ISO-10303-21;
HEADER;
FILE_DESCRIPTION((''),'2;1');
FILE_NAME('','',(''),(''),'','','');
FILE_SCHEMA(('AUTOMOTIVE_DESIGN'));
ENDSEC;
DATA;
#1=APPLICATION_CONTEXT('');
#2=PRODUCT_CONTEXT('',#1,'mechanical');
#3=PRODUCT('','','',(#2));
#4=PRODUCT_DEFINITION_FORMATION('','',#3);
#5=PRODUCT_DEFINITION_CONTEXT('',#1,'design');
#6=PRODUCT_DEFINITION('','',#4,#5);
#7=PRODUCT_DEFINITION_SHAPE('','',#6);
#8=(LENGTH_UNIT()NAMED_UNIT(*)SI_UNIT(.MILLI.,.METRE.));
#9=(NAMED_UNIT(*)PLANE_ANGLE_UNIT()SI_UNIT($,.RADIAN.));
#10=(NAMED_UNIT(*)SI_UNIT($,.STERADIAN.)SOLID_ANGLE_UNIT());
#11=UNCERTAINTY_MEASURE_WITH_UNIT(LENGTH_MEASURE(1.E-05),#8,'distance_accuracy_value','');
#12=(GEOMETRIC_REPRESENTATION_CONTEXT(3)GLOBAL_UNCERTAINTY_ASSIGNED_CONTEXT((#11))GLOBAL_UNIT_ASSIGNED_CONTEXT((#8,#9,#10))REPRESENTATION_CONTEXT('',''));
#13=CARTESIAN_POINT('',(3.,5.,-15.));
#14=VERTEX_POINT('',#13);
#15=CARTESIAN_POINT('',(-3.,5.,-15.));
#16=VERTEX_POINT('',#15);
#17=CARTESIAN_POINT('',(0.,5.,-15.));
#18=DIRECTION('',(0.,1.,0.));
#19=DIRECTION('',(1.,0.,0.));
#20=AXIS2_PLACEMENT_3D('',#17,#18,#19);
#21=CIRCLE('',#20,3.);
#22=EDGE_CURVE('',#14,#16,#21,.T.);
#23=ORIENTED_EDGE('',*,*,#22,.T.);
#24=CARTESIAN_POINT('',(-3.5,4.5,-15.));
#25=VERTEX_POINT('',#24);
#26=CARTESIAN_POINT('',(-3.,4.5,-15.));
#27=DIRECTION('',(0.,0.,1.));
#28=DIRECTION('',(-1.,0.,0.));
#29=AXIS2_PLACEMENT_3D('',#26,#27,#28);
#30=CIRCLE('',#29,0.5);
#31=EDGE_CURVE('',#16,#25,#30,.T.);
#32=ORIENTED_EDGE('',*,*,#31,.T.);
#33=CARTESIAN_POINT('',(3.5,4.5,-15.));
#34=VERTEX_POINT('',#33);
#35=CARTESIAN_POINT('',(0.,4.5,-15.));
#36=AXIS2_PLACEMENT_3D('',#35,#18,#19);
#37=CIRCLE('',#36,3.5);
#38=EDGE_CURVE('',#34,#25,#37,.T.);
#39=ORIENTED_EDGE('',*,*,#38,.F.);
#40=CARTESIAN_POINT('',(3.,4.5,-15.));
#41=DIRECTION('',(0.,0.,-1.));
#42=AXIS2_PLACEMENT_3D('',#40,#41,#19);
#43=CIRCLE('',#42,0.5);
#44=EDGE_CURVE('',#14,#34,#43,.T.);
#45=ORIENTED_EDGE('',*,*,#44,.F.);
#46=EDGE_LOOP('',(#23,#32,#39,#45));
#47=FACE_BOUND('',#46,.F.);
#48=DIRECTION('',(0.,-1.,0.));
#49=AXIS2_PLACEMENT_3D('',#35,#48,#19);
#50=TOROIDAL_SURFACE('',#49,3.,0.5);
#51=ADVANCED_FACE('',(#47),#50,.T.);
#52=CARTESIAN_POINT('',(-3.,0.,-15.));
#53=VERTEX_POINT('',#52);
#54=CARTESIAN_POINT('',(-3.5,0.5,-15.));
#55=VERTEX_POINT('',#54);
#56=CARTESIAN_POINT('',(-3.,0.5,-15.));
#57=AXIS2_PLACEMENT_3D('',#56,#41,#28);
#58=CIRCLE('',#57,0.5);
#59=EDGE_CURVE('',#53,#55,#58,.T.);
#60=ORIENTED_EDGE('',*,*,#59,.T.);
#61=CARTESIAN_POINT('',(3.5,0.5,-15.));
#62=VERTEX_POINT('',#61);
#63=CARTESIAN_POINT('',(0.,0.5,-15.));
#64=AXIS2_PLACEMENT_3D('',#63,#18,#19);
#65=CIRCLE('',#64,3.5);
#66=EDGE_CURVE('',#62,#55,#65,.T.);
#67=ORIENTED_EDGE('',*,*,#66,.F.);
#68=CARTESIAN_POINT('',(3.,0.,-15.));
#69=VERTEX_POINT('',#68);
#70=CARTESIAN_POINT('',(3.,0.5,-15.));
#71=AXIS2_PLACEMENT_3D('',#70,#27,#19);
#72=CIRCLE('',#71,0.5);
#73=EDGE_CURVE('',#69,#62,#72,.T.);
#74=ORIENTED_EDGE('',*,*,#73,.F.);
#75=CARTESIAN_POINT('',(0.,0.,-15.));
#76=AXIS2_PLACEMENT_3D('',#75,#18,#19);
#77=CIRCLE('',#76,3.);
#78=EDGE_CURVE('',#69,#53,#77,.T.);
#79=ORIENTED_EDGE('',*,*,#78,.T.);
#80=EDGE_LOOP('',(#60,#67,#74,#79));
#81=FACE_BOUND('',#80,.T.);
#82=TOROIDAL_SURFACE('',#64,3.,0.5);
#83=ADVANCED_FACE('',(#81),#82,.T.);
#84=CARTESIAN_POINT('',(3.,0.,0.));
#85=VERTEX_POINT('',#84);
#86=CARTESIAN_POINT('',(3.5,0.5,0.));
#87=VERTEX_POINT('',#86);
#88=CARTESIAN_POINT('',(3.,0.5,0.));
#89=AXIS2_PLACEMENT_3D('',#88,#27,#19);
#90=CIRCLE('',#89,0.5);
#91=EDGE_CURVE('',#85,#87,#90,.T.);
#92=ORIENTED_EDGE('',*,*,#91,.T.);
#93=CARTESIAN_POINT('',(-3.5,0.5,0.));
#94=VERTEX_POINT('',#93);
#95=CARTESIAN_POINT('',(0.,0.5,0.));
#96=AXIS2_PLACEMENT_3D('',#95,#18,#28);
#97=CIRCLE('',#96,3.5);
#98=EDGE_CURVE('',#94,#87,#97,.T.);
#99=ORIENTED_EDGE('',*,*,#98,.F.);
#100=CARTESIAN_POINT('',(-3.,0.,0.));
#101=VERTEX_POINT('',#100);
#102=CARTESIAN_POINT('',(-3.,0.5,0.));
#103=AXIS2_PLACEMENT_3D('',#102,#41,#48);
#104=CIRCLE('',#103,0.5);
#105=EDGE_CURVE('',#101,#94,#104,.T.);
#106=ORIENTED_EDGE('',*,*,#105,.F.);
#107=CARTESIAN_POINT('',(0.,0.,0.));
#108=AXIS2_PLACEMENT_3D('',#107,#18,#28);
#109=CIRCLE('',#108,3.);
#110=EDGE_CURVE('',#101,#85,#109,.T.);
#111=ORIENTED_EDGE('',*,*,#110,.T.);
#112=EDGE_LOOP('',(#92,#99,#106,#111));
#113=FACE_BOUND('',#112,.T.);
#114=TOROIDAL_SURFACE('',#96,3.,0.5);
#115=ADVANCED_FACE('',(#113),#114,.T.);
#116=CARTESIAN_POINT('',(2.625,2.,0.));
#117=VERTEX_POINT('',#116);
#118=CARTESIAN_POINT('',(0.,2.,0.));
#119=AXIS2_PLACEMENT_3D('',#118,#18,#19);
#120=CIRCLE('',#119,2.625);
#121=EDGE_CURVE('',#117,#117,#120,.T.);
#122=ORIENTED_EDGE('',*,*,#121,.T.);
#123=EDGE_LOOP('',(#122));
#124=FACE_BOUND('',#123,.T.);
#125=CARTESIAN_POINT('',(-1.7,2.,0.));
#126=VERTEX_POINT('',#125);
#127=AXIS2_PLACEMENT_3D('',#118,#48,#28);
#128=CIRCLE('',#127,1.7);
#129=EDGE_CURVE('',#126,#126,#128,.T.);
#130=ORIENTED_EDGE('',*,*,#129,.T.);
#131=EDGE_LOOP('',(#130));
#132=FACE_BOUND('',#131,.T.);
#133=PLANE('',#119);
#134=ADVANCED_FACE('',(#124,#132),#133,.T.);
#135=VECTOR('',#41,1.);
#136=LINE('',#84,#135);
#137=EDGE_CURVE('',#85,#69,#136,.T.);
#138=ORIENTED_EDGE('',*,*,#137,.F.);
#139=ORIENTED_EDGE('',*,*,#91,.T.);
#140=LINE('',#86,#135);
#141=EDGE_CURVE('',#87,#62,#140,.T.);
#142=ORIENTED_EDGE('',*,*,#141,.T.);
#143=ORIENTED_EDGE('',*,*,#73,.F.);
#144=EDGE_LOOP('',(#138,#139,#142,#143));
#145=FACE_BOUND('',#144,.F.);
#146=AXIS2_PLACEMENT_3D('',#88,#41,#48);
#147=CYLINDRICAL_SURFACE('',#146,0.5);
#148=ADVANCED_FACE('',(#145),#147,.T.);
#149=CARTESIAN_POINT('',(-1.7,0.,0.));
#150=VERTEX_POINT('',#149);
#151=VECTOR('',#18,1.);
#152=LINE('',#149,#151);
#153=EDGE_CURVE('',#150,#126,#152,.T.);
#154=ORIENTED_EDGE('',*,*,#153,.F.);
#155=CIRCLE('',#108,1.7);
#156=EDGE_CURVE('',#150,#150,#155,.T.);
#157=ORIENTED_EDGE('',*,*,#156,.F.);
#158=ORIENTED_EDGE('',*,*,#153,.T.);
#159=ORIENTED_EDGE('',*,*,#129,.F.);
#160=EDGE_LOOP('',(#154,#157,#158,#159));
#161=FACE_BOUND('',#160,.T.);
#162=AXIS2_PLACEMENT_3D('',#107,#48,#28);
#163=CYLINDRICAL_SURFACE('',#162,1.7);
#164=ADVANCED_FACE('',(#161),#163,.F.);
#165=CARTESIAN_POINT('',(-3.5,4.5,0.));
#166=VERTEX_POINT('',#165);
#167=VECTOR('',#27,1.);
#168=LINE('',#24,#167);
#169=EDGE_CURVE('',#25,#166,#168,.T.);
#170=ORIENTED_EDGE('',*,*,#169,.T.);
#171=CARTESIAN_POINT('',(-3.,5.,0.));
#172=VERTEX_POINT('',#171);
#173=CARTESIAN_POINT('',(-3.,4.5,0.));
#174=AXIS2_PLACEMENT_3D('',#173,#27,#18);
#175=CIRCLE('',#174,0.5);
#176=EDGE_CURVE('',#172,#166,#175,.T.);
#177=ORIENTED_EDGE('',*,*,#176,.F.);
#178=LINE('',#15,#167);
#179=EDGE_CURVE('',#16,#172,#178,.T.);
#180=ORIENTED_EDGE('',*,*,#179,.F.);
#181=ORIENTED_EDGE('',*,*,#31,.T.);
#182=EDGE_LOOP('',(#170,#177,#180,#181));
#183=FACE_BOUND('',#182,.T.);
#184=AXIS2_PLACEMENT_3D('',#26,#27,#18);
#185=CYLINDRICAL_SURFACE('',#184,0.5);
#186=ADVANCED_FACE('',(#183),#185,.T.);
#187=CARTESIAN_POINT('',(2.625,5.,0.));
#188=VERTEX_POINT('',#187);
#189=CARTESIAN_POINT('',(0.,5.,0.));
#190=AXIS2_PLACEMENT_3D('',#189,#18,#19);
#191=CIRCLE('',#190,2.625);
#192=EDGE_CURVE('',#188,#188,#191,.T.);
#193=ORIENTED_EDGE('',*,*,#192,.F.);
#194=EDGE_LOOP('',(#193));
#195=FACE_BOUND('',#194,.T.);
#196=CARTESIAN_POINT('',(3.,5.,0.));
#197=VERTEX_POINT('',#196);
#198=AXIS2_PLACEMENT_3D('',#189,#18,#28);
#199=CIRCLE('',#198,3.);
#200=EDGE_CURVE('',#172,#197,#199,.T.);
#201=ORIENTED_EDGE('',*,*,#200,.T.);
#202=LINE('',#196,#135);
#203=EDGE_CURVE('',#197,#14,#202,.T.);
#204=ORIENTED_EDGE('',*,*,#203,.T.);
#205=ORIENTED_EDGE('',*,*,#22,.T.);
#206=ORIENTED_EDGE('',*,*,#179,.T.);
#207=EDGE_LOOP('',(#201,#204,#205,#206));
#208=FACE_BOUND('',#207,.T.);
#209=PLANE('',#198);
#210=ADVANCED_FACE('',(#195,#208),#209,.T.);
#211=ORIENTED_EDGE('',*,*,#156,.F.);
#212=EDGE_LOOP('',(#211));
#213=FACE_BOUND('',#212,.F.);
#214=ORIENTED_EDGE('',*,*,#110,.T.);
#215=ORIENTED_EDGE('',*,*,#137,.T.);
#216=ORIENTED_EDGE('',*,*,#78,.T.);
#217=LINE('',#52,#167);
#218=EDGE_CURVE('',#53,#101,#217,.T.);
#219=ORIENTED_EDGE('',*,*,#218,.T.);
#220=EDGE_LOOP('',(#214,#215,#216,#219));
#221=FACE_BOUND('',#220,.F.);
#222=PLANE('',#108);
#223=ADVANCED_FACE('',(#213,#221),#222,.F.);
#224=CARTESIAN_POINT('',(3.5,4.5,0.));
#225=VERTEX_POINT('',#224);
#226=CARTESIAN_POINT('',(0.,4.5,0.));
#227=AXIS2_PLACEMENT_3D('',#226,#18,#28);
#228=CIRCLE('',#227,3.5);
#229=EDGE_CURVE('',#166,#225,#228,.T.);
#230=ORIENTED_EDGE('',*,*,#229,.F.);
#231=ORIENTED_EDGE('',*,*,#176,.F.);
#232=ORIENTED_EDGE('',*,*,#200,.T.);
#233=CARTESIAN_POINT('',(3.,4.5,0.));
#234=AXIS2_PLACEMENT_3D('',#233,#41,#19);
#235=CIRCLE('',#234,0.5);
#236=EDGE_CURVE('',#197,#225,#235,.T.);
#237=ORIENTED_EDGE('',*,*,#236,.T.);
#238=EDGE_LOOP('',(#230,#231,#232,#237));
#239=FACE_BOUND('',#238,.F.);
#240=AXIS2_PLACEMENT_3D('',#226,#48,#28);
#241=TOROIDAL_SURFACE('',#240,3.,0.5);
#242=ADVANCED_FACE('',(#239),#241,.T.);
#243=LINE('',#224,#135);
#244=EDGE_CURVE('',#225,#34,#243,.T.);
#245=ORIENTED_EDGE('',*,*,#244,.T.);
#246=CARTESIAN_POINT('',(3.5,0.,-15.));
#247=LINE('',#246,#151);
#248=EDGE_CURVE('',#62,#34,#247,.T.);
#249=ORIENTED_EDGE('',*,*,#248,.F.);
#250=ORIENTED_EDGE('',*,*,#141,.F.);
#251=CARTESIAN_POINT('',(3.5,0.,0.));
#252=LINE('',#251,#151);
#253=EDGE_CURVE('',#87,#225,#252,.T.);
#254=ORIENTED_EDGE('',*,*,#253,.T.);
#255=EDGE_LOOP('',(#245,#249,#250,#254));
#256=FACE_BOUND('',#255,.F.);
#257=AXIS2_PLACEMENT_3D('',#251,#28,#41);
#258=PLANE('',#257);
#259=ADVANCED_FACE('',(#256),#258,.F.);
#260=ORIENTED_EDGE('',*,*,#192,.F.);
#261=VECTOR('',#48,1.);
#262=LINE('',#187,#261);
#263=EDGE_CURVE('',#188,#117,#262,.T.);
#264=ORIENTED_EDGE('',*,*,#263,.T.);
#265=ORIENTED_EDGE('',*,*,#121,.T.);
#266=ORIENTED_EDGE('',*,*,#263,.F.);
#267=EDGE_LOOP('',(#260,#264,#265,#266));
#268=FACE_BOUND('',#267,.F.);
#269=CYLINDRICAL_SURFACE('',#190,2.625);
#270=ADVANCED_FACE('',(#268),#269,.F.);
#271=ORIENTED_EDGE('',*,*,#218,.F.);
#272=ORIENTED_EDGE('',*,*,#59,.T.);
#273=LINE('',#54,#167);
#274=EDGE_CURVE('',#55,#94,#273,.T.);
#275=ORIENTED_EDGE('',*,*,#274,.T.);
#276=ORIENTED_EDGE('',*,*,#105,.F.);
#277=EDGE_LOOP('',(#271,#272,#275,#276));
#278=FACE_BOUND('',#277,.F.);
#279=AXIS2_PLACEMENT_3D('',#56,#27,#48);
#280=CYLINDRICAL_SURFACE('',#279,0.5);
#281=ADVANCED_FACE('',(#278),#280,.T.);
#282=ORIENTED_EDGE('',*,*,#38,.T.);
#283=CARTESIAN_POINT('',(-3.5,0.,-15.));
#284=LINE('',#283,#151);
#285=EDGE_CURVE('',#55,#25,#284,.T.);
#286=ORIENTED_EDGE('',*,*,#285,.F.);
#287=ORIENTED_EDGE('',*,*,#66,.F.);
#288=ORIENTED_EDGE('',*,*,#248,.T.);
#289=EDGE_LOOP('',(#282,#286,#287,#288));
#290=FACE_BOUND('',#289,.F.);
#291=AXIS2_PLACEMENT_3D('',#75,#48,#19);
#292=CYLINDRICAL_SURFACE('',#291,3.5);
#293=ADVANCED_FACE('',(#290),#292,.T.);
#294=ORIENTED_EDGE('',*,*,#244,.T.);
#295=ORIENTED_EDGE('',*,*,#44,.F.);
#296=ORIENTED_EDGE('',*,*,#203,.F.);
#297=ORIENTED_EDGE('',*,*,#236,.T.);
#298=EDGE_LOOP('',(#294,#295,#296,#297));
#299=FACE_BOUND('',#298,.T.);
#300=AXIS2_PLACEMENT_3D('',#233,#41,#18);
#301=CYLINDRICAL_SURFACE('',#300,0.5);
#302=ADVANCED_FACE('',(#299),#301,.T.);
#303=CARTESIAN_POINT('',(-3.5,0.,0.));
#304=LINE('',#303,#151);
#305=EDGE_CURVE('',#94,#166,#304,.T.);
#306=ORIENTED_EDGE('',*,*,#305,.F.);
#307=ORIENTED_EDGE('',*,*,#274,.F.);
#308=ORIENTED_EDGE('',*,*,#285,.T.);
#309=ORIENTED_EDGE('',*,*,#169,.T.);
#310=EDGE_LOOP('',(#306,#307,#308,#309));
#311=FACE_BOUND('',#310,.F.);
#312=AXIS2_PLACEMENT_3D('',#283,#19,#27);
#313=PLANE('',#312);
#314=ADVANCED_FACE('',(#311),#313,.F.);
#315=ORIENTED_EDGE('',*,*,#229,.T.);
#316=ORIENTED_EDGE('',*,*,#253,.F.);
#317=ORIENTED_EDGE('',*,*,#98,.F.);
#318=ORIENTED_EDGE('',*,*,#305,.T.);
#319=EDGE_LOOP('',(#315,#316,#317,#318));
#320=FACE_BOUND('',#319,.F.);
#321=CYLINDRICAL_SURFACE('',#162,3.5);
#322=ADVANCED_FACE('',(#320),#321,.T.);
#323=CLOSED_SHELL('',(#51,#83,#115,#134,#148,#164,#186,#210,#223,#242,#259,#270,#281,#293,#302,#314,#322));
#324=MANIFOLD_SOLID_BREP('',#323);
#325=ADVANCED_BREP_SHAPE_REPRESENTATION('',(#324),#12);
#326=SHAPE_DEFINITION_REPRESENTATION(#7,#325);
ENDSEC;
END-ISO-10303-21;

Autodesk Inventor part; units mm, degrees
ref_plane "YZ Plane" through (0, 0, 0) normal (1, 0, 0) x (0, 1, 0)
ref_plane "XZ Plane" through (0, 0, 0) normal (0, 1, 0) x (-1, 0, 0)
ref_plane "XY Plane" through (0, 0, 0) normal (0, 0, 1) x (1, 0, 0)
sketch "Sketch1" plane through (0, 0, 0) normal (0, 1, 0) x (-1, 0, 0)
  line L0 (0, 0) -> (0, -15) construction
  line L1 (-3.5, 0) -> (-3.5, -15)
  line L2 (3.5, -15) -> (3.5, 0)
  arc A0 (3.5, 0) -> (-3.5, 0) centre (0, 0) ccw
  arc A1 (-3.5, -15) -> (3.5, -15) centre (0, -15) ccw
  circle A2 centre (0, 0) radius 1.7
  point P0 (0, -7.5)
  dimension "d0" = 7
  dimension "d1" = 15
  dimension "d2" = 3.4
extrude "Extrusion1" add sketch "Sketch1" along normal blind 5
sketch "Sketch2" plane through (0, 5, 0) normal (0, 1, 0) x (1, 0, 0)
  circle A0 centre (0, 0) radius 2.625
  dimension "d5" = 5.25
extrude "Extrusion2" cut sketch "Sketch2" against normal blind 3
fillet "Fillet1" radius 0.5 8 edges at (0, 0, -18.5) (-3.5, 0, -7.5) (0, 0, 3.5) (3.5, 0, -7.5) (0, 5, -18.5) (-3.5, 5, -7.5) (0, 5, 3.5) (3.5, 5, -7.5)
properties part number "v2batterylock"
